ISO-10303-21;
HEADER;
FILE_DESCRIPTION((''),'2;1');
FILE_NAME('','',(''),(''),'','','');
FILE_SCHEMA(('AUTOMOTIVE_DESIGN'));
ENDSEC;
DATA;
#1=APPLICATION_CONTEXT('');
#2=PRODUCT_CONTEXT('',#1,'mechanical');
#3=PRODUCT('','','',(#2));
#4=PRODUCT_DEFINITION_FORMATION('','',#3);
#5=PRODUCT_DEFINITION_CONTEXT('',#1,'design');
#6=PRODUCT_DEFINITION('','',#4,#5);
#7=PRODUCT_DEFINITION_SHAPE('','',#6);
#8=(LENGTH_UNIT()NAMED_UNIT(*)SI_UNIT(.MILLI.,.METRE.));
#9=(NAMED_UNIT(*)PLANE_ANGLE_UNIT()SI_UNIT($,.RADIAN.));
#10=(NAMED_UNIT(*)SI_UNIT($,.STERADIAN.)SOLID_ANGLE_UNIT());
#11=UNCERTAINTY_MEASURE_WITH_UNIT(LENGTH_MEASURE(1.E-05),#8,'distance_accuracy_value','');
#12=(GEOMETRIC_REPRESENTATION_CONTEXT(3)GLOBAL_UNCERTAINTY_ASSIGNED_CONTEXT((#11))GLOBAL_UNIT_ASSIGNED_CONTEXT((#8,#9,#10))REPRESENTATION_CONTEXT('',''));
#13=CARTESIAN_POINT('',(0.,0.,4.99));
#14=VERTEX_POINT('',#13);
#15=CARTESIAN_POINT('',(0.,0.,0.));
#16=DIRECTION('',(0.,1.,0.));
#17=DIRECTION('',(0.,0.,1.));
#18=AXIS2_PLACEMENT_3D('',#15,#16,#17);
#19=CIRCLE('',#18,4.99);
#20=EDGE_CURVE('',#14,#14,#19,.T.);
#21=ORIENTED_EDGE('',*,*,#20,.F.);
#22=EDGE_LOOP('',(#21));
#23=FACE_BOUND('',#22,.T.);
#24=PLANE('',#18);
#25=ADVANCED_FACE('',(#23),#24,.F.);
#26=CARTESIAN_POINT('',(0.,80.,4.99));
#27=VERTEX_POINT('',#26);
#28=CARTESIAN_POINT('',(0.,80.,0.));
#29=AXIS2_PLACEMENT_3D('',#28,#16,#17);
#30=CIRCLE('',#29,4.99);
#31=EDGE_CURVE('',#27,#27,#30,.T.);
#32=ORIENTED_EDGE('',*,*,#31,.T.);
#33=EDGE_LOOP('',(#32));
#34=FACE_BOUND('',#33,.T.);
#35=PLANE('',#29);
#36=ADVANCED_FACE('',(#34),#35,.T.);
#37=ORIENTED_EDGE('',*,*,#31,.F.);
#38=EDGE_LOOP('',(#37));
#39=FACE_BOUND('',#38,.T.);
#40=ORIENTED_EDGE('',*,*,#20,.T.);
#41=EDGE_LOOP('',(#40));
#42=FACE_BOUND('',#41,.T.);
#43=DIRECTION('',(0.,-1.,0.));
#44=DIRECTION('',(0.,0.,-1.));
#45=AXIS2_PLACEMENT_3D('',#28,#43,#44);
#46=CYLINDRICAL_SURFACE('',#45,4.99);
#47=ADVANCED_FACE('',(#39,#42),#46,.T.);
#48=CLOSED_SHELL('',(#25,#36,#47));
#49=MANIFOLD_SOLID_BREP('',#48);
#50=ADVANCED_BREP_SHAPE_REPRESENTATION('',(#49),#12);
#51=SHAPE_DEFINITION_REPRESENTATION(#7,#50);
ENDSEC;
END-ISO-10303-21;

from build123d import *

# Parameters (mm, degrees)
SKETCH_2_R      = 4.99
EXTRUDE_1_DEPTH = 80


with BuildPart() as part:
    # 草图2 → 凸台-拉伸1 (new body)
    with BuildSketch(Plane(origin=(0, 0, 0), x_dir=(1, 0, 0), z_dir=(0, 1, 0))):
        with Locations(Location((0, 0, 0), (0, 0, 270))):
            Circle(SKETCH_2_R)
    extrude(amount=EXTRUDE_1_DEPTH)


solid = part.part
